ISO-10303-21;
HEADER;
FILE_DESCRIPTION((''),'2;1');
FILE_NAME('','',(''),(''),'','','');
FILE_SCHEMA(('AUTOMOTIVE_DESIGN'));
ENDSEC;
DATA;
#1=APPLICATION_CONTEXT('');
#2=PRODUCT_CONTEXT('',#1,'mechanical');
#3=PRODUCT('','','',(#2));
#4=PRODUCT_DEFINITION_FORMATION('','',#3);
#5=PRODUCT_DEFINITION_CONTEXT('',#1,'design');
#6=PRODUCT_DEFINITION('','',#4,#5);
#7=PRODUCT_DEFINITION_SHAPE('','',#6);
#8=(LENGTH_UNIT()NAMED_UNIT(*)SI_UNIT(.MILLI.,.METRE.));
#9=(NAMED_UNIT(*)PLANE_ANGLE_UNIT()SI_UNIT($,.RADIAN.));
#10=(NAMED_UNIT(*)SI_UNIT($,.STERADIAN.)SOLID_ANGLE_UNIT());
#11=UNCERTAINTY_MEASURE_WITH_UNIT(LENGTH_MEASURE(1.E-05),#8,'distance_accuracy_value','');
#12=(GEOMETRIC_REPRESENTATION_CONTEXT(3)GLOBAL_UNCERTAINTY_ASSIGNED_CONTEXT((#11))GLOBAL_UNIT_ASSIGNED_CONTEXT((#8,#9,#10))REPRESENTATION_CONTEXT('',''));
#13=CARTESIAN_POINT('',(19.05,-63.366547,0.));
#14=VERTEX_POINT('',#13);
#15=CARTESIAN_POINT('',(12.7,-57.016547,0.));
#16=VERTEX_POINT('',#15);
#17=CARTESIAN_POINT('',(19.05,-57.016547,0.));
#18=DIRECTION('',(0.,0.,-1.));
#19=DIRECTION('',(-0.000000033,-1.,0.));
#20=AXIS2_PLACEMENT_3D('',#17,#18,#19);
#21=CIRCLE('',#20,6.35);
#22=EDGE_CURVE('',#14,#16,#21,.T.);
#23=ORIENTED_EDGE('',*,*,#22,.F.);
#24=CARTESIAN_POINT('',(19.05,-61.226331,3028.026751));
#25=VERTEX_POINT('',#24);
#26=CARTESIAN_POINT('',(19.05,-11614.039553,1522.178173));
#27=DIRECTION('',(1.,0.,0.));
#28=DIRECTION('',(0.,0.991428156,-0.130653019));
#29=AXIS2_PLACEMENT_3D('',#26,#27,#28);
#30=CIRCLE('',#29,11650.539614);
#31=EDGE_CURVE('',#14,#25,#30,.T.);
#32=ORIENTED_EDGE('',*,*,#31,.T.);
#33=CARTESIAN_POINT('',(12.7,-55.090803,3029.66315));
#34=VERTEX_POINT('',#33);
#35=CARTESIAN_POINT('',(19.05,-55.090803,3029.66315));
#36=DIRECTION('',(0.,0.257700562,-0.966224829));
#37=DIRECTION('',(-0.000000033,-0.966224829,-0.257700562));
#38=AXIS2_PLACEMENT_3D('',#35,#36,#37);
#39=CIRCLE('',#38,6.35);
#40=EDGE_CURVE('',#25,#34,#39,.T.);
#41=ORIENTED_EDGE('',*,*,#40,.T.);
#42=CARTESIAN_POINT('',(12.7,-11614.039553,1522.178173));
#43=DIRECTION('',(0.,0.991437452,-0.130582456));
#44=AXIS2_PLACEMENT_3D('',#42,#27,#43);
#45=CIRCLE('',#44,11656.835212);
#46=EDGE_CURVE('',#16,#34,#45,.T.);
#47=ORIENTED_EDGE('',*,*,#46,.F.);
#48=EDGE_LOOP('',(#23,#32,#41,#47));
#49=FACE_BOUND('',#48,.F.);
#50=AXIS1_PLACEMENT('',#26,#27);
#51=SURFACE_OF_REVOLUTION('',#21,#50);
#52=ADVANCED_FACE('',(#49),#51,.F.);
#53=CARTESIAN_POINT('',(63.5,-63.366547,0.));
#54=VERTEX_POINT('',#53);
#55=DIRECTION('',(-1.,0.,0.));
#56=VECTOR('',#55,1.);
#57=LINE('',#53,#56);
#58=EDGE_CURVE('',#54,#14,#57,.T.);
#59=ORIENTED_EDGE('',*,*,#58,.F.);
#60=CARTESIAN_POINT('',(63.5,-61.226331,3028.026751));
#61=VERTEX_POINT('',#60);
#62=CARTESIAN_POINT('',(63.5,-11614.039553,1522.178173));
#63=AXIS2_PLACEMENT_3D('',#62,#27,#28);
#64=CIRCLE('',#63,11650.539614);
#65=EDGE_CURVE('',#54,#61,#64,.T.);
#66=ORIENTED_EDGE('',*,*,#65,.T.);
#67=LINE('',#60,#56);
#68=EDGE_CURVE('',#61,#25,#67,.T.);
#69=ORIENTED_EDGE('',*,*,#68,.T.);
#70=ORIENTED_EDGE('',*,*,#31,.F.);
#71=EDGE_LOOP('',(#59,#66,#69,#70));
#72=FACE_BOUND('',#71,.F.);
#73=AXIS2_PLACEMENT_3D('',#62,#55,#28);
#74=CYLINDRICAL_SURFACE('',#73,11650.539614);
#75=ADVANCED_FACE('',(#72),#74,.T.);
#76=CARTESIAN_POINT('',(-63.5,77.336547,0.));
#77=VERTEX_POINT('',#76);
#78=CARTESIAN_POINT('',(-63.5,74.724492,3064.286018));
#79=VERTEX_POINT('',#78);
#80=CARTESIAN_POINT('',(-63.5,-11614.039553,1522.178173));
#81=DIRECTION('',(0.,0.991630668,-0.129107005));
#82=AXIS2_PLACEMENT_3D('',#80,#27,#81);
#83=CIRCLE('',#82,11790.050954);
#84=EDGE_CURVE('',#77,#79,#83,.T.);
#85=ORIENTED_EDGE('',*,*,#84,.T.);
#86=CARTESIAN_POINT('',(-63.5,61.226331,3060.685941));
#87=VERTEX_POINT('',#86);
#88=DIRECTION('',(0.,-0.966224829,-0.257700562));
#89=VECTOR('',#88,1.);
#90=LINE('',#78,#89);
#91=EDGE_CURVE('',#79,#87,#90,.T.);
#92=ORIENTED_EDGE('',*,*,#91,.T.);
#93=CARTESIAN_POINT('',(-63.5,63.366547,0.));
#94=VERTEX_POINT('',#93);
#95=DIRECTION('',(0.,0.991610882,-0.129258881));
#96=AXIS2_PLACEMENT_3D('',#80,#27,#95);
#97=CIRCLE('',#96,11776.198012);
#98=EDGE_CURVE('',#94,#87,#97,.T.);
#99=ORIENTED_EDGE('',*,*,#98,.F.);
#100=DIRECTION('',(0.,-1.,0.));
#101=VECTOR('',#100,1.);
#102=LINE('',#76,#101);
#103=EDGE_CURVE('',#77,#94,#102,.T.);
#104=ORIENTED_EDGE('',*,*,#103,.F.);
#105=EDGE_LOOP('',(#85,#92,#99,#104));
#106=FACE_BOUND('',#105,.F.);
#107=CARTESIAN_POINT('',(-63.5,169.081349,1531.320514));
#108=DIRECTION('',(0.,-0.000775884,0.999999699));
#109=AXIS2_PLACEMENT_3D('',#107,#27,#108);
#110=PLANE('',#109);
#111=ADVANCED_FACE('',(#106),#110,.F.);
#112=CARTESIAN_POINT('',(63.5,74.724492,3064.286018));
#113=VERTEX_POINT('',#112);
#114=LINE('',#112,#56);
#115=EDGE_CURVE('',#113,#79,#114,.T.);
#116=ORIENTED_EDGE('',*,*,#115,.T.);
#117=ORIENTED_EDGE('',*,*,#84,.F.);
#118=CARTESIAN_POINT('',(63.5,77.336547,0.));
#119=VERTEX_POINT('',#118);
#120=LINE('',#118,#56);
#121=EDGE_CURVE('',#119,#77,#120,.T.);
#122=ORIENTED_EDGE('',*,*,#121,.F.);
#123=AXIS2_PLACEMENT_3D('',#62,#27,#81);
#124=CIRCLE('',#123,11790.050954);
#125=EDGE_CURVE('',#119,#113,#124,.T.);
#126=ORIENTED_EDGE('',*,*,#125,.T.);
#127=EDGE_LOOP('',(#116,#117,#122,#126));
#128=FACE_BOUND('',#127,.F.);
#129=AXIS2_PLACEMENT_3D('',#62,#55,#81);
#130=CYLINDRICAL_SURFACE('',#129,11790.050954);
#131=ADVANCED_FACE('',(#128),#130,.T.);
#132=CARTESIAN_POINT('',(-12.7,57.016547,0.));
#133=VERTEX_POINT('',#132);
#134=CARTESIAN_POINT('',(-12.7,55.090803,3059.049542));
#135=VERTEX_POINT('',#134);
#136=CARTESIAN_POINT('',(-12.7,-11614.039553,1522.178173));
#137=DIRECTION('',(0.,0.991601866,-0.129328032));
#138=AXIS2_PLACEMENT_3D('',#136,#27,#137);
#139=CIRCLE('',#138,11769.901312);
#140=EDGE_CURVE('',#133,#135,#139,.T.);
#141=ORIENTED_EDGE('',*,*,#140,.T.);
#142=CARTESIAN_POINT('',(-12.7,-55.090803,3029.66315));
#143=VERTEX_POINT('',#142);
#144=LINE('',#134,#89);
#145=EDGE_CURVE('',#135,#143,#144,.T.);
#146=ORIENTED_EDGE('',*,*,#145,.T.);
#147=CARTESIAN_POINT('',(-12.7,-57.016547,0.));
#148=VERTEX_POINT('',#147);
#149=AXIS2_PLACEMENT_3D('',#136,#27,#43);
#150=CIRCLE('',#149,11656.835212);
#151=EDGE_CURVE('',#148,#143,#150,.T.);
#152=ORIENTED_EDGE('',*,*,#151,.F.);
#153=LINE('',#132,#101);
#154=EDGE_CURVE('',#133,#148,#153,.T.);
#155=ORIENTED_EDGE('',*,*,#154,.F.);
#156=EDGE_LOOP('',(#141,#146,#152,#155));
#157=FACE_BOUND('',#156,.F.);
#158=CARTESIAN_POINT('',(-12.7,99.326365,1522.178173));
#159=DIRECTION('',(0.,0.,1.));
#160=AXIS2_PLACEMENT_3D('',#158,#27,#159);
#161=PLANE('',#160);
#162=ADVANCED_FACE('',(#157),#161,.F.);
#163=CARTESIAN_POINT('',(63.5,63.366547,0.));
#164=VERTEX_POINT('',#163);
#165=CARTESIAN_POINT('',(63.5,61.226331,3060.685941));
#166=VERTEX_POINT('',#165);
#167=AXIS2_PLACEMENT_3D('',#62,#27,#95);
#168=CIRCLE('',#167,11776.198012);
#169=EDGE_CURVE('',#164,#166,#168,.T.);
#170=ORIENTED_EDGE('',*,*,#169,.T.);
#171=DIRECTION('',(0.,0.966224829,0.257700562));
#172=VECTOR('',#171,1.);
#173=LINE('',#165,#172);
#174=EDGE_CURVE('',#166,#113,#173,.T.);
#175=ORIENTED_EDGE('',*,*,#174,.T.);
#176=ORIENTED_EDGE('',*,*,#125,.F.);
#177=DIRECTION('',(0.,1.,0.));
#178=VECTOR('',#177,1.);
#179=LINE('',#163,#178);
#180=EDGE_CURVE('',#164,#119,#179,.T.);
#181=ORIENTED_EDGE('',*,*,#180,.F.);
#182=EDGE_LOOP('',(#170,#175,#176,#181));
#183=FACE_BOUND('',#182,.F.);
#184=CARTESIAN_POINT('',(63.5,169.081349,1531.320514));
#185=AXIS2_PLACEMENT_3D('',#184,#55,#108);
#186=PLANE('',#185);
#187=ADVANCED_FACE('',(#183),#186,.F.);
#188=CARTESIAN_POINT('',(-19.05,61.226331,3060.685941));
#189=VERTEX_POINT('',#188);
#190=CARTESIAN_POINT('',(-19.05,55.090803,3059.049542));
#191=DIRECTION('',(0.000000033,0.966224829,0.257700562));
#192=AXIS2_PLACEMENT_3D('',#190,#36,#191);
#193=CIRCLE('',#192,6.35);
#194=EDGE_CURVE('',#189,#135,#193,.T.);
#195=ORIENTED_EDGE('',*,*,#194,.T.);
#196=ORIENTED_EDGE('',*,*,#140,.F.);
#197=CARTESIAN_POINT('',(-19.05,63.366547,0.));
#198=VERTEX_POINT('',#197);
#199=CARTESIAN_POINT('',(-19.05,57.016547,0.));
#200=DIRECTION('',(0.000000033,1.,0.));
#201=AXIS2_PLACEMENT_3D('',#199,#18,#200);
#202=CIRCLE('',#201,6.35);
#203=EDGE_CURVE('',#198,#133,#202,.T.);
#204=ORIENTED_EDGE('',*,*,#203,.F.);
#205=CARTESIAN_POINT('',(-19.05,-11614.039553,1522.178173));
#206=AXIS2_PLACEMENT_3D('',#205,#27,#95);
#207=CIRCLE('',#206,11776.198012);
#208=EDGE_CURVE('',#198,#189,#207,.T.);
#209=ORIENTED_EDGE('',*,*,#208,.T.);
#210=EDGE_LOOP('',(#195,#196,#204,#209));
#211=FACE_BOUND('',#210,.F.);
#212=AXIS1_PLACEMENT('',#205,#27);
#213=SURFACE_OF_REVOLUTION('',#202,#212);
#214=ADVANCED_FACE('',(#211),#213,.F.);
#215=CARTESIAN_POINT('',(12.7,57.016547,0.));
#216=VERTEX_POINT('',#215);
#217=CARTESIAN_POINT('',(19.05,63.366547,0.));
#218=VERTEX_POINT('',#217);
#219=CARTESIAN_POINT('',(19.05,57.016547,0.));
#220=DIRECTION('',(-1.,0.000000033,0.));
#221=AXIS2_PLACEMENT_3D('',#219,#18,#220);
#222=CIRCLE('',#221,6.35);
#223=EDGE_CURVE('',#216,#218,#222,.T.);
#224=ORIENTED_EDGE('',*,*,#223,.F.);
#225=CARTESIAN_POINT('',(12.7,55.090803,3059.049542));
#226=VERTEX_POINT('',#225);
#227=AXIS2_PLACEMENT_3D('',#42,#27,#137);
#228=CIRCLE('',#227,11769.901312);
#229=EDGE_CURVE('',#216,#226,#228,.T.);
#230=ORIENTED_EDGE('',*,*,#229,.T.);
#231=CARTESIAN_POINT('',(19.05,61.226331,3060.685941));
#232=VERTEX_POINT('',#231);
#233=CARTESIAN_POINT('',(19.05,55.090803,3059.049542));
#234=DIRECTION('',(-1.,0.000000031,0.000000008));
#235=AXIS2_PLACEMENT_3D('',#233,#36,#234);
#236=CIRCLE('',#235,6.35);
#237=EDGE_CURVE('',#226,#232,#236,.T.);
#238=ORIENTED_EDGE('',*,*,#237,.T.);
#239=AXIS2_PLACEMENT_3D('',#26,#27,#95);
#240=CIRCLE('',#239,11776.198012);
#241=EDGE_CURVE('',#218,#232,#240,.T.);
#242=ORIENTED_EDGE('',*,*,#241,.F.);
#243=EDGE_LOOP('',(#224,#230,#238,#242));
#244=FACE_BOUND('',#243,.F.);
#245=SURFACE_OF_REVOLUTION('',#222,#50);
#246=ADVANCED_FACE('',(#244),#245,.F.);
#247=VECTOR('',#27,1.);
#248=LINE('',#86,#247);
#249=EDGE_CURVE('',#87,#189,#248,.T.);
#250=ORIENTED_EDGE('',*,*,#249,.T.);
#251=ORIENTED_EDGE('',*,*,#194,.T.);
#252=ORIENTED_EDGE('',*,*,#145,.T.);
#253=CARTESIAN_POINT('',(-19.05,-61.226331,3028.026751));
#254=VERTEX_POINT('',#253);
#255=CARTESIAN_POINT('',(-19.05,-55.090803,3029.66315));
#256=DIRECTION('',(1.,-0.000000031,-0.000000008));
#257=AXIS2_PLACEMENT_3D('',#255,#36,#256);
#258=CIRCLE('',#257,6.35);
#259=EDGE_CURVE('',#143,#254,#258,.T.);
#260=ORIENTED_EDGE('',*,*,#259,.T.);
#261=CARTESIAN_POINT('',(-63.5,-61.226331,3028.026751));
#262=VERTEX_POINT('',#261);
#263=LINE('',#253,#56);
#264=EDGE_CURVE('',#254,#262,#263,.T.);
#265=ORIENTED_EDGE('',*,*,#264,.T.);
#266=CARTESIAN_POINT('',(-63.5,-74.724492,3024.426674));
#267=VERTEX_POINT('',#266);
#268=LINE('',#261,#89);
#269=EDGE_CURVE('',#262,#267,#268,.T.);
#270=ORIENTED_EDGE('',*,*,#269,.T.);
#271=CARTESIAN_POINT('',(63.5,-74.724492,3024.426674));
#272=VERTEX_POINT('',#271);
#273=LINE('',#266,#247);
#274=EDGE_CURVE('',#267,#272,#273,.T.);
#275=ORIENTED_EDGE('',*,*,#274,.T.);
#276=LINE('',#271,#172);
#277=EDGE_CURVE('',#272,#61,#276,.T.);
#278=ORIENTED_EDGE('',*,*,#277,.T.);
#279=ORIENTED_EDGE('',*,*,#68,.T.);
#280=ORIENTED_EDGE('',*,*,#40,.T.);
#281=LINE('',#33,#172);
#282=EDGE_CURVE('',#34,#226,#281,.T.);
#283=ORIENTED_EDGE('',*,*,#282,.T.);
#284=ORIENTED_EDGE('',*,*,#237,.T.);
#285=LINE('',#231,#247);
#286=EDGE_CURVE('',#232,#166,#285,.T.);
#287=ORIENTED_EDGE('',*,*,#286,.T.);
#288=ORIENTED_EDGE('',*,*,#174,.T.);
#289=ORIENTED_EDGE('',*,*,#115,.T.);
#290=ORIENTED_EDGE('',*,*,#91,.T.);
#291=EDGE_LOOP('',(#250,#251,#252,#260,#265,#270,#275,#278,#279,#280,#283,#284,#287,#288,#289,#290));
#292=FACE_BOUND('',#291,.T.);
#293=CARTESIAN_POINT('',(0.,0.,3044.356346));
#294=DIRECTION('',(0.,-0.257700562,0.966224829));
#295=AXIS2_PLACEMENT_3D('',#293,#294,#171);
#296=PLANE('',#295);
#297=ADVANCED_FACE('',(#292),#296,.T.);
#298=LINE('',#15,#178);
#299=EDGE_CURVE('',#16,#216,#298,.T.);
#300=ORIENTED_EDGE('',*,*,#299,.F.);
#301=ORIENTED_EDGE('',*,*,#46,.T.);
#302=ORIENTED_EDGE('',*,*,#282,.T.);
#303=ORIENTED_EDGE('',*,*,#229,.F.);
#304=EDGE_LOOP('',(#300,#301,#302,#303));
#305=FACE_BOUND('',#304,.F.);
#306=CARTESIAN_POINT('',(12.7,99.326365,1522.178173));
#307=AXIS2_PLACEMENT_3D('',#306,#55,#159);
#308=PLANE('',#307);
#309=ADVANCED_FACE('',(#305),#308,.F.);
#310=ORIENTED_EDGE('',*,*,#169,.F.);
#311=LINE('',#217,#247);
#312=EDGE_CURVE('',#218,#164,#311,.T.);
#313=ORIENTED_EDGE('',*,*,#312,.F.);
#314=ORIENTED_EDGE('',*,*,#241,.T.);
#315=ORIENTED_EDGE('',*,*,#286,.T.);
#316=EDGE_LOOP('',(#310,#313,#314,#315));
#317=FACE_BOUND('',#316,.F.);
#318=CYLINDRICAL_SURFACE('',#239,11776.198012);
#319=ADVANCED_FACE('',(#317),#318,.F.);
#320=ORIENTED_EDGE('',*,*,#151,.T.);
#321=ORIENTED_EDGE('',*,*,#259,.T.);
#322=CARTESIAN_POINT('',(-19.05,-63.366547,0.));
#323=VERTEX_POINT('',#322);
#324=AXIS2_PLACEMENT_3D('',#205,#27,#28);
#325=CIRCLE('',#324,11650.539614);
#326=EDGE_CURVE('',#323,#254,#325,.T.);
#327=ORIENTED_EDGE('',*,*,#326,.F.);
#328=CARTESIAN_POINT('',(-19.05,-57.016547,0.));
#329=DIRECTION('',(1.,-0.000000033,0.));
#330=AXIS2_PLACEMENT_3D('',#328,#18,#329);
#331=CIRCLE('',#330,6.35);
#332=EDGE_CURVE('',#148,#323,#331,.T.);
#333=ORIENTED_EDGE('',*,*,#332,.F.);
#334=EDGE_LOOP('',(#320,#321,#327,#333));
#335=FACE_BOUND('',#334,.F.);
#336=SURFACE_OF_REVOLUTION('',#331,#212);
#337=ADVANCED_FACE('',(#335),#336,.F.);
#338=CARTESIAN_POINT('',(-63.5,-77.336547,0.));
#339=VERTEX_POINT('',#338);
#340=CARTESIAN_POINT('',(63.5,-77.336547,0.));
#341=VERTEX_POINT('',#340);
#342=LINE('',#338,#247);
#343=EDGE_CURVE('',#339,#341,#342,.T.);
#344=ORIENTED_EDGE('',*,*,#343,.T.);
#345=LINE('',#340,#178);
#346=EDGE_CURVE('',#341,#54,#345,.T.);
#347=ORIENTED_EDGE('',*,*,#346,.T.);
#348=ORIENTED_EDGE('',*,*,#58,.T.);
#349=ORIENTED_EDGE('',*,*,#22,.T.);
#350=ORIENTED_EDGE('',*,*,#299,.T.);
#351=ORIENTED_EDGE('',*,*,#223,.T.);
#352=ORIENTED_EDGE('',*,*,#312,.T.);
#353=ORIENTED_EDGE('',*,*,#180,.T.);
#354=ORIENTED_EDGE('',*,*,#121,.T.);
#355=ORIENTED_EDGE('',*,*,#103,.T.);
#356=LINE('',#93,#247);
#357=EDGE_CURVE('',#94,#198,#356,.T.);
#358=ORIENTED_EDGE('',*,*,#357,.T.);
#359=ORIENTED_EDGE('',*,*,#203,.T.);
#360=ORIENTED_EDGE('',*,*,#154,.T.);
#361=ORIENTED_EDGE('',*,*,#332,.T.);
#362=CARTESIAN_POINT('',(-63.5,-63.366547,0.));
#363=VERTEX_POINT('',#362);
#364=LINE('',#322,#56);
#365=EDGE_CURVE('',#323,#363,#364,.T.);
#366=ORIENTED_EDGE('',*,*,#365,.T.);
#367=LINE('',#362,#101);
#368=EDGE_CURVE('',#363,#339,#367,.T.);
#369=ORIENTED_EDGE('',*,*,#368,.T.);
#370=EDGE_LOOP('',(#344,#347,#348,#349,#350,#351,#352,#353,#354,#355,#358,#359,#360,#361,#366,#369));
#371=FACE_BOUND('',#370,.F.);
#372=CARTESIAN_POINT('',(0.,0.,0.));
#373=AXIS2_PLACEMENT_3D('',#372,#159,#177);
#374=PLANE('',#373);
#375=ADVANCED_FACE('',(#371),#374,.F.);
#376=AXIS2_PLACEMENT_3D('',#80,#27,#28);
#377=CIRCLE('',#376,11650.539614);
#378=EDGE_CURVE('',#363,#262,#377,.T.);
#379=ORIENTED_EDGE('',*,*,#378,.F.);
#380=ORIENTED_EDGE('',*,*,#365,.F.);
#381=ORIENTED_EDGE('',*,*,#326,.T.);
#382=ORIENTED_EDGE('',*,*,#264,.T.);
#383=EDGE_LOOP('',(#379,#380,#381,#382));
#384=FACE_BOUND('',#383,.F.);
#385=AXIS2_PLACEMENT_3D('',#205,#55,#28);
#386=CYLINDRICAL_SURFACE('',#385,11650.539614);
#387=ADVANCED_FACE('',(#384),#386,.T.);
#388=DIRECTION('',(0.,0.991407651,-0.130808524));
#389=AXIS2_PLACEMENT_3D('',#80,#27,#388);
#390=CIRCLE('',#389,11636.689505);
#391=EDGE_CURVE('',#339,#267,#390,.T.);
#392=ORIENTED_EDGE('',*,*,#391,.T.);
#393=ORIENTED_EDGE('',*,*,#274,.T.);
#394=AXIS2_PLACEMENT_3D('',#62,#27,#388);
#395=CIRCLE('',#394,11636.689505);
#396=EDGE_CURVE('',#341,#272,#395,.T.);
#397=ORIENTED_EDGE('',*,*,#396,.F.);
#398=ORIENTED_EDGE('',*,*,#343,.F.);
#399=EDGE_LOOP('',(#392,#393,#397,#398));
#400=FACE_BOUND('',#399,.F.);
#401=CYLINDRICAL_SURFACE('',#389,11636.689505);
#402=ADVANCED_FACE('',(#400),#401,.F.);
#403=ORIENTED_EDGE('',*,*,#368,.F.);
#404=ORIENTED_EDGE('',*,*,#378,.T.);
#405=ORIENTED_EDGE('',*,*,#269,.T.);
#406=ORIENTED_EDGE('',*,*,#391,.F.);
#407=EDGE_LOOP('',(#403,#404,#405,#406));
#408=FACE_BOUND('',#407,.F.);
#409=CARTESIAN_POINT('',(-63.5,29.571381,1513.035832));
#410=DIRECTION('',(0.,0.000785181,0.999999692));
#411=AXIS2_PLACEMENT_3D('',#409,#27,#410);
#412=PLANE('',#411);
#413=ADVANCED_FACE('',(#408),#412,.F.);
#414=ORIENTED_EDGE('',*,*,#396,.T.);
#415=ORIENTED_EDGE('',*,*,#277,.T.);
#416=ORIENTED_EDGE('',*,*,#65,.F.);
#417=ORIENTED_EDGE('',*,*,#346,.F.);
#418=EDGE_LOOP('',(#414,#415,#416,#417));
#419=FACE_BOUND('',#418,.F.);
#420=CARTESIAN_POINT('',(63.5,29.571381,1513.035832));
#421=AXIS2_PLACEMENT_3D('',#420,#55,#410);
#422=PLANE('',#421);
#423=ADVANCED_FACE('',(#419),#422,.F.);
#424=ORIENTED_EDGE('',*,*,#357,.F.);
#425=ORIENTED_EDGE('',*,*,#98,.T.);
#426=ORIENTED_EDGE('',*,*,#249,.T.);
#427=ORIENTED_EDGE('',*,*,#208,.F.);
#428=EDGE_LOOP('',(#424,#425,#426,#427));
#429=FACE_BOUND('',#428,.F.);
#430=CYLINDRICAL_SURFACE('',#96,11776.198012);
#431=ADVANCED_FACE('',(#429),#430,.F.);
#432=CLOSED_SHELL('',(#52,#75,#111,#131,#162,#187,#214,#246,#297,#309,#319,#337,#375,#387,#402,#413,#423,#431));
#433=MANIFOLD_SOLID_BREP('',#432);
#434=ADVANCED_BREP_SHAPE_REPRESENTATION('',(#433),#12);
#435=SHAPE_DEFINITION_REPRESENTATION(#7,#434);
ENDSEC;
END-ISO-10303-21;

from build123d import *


with BuildPart() as f2:
    # F2: sweep along a path in F1
    with BuildLine(Plane.YZ) as f2_path:
        ThreePointArc((0, 0), (99.326365, 1522.178173), (0, 3044.356346))
    # F0 (on Top) → F2 (sweep)
    with BuildSketch(Plane.XY):
        with BuildLine():
            Line((-12.7, 57.016547), (-12.7, -57.016547))
            ThreePointArc((-12.7, -57.016547), (-14.559872, -61.506675), (-19.05, -63.366547))
            Line((-19.05, -63.366547), (-63.5, -63.366547))
            Line((-63.5, -63.366547), (-63.5, -77.336547))
            Line((-63.5, -77.336547), (0, -77.336547))
            Line((0, -77.336547), (63.5, -77.336547))
            Line((63.5, -77.336547), (63.5, -63.366547))
            Line((63.5, -63.366547), (19.05, -63.366547))
            ThreePointArc((19.05, -63.366547), (14.559872, -61.506675), (12.7, -57.016547))
            Line((12.7, -57.016547), (12.7, 57.016547))
            ThreePointArc((12.7, 57.016547), (14.559872, 61.506675), (19.05, 63.366547))
            Line((19.05, 63.366547), (63.5, 63.366547))
            Line((63.5, 63.366547), (63.5, 77.336547))
            Line((63.5, 77.336547), (0, 77.336547))
            Line((0, 77.336547), (-63.5, 77.336547))
            Line((-63.5, 77.336547), (-63.5, 63.366547))
            Line((-63.5, 63.366547), (-19.05, 63.366547))
            ThreePointArc((-19.05, 63.366547), (-14.559872, 61.506675), (-12.7, 57.016547))
        make_face()
    sweep(path=f2_path.line)


solid = f2.part
